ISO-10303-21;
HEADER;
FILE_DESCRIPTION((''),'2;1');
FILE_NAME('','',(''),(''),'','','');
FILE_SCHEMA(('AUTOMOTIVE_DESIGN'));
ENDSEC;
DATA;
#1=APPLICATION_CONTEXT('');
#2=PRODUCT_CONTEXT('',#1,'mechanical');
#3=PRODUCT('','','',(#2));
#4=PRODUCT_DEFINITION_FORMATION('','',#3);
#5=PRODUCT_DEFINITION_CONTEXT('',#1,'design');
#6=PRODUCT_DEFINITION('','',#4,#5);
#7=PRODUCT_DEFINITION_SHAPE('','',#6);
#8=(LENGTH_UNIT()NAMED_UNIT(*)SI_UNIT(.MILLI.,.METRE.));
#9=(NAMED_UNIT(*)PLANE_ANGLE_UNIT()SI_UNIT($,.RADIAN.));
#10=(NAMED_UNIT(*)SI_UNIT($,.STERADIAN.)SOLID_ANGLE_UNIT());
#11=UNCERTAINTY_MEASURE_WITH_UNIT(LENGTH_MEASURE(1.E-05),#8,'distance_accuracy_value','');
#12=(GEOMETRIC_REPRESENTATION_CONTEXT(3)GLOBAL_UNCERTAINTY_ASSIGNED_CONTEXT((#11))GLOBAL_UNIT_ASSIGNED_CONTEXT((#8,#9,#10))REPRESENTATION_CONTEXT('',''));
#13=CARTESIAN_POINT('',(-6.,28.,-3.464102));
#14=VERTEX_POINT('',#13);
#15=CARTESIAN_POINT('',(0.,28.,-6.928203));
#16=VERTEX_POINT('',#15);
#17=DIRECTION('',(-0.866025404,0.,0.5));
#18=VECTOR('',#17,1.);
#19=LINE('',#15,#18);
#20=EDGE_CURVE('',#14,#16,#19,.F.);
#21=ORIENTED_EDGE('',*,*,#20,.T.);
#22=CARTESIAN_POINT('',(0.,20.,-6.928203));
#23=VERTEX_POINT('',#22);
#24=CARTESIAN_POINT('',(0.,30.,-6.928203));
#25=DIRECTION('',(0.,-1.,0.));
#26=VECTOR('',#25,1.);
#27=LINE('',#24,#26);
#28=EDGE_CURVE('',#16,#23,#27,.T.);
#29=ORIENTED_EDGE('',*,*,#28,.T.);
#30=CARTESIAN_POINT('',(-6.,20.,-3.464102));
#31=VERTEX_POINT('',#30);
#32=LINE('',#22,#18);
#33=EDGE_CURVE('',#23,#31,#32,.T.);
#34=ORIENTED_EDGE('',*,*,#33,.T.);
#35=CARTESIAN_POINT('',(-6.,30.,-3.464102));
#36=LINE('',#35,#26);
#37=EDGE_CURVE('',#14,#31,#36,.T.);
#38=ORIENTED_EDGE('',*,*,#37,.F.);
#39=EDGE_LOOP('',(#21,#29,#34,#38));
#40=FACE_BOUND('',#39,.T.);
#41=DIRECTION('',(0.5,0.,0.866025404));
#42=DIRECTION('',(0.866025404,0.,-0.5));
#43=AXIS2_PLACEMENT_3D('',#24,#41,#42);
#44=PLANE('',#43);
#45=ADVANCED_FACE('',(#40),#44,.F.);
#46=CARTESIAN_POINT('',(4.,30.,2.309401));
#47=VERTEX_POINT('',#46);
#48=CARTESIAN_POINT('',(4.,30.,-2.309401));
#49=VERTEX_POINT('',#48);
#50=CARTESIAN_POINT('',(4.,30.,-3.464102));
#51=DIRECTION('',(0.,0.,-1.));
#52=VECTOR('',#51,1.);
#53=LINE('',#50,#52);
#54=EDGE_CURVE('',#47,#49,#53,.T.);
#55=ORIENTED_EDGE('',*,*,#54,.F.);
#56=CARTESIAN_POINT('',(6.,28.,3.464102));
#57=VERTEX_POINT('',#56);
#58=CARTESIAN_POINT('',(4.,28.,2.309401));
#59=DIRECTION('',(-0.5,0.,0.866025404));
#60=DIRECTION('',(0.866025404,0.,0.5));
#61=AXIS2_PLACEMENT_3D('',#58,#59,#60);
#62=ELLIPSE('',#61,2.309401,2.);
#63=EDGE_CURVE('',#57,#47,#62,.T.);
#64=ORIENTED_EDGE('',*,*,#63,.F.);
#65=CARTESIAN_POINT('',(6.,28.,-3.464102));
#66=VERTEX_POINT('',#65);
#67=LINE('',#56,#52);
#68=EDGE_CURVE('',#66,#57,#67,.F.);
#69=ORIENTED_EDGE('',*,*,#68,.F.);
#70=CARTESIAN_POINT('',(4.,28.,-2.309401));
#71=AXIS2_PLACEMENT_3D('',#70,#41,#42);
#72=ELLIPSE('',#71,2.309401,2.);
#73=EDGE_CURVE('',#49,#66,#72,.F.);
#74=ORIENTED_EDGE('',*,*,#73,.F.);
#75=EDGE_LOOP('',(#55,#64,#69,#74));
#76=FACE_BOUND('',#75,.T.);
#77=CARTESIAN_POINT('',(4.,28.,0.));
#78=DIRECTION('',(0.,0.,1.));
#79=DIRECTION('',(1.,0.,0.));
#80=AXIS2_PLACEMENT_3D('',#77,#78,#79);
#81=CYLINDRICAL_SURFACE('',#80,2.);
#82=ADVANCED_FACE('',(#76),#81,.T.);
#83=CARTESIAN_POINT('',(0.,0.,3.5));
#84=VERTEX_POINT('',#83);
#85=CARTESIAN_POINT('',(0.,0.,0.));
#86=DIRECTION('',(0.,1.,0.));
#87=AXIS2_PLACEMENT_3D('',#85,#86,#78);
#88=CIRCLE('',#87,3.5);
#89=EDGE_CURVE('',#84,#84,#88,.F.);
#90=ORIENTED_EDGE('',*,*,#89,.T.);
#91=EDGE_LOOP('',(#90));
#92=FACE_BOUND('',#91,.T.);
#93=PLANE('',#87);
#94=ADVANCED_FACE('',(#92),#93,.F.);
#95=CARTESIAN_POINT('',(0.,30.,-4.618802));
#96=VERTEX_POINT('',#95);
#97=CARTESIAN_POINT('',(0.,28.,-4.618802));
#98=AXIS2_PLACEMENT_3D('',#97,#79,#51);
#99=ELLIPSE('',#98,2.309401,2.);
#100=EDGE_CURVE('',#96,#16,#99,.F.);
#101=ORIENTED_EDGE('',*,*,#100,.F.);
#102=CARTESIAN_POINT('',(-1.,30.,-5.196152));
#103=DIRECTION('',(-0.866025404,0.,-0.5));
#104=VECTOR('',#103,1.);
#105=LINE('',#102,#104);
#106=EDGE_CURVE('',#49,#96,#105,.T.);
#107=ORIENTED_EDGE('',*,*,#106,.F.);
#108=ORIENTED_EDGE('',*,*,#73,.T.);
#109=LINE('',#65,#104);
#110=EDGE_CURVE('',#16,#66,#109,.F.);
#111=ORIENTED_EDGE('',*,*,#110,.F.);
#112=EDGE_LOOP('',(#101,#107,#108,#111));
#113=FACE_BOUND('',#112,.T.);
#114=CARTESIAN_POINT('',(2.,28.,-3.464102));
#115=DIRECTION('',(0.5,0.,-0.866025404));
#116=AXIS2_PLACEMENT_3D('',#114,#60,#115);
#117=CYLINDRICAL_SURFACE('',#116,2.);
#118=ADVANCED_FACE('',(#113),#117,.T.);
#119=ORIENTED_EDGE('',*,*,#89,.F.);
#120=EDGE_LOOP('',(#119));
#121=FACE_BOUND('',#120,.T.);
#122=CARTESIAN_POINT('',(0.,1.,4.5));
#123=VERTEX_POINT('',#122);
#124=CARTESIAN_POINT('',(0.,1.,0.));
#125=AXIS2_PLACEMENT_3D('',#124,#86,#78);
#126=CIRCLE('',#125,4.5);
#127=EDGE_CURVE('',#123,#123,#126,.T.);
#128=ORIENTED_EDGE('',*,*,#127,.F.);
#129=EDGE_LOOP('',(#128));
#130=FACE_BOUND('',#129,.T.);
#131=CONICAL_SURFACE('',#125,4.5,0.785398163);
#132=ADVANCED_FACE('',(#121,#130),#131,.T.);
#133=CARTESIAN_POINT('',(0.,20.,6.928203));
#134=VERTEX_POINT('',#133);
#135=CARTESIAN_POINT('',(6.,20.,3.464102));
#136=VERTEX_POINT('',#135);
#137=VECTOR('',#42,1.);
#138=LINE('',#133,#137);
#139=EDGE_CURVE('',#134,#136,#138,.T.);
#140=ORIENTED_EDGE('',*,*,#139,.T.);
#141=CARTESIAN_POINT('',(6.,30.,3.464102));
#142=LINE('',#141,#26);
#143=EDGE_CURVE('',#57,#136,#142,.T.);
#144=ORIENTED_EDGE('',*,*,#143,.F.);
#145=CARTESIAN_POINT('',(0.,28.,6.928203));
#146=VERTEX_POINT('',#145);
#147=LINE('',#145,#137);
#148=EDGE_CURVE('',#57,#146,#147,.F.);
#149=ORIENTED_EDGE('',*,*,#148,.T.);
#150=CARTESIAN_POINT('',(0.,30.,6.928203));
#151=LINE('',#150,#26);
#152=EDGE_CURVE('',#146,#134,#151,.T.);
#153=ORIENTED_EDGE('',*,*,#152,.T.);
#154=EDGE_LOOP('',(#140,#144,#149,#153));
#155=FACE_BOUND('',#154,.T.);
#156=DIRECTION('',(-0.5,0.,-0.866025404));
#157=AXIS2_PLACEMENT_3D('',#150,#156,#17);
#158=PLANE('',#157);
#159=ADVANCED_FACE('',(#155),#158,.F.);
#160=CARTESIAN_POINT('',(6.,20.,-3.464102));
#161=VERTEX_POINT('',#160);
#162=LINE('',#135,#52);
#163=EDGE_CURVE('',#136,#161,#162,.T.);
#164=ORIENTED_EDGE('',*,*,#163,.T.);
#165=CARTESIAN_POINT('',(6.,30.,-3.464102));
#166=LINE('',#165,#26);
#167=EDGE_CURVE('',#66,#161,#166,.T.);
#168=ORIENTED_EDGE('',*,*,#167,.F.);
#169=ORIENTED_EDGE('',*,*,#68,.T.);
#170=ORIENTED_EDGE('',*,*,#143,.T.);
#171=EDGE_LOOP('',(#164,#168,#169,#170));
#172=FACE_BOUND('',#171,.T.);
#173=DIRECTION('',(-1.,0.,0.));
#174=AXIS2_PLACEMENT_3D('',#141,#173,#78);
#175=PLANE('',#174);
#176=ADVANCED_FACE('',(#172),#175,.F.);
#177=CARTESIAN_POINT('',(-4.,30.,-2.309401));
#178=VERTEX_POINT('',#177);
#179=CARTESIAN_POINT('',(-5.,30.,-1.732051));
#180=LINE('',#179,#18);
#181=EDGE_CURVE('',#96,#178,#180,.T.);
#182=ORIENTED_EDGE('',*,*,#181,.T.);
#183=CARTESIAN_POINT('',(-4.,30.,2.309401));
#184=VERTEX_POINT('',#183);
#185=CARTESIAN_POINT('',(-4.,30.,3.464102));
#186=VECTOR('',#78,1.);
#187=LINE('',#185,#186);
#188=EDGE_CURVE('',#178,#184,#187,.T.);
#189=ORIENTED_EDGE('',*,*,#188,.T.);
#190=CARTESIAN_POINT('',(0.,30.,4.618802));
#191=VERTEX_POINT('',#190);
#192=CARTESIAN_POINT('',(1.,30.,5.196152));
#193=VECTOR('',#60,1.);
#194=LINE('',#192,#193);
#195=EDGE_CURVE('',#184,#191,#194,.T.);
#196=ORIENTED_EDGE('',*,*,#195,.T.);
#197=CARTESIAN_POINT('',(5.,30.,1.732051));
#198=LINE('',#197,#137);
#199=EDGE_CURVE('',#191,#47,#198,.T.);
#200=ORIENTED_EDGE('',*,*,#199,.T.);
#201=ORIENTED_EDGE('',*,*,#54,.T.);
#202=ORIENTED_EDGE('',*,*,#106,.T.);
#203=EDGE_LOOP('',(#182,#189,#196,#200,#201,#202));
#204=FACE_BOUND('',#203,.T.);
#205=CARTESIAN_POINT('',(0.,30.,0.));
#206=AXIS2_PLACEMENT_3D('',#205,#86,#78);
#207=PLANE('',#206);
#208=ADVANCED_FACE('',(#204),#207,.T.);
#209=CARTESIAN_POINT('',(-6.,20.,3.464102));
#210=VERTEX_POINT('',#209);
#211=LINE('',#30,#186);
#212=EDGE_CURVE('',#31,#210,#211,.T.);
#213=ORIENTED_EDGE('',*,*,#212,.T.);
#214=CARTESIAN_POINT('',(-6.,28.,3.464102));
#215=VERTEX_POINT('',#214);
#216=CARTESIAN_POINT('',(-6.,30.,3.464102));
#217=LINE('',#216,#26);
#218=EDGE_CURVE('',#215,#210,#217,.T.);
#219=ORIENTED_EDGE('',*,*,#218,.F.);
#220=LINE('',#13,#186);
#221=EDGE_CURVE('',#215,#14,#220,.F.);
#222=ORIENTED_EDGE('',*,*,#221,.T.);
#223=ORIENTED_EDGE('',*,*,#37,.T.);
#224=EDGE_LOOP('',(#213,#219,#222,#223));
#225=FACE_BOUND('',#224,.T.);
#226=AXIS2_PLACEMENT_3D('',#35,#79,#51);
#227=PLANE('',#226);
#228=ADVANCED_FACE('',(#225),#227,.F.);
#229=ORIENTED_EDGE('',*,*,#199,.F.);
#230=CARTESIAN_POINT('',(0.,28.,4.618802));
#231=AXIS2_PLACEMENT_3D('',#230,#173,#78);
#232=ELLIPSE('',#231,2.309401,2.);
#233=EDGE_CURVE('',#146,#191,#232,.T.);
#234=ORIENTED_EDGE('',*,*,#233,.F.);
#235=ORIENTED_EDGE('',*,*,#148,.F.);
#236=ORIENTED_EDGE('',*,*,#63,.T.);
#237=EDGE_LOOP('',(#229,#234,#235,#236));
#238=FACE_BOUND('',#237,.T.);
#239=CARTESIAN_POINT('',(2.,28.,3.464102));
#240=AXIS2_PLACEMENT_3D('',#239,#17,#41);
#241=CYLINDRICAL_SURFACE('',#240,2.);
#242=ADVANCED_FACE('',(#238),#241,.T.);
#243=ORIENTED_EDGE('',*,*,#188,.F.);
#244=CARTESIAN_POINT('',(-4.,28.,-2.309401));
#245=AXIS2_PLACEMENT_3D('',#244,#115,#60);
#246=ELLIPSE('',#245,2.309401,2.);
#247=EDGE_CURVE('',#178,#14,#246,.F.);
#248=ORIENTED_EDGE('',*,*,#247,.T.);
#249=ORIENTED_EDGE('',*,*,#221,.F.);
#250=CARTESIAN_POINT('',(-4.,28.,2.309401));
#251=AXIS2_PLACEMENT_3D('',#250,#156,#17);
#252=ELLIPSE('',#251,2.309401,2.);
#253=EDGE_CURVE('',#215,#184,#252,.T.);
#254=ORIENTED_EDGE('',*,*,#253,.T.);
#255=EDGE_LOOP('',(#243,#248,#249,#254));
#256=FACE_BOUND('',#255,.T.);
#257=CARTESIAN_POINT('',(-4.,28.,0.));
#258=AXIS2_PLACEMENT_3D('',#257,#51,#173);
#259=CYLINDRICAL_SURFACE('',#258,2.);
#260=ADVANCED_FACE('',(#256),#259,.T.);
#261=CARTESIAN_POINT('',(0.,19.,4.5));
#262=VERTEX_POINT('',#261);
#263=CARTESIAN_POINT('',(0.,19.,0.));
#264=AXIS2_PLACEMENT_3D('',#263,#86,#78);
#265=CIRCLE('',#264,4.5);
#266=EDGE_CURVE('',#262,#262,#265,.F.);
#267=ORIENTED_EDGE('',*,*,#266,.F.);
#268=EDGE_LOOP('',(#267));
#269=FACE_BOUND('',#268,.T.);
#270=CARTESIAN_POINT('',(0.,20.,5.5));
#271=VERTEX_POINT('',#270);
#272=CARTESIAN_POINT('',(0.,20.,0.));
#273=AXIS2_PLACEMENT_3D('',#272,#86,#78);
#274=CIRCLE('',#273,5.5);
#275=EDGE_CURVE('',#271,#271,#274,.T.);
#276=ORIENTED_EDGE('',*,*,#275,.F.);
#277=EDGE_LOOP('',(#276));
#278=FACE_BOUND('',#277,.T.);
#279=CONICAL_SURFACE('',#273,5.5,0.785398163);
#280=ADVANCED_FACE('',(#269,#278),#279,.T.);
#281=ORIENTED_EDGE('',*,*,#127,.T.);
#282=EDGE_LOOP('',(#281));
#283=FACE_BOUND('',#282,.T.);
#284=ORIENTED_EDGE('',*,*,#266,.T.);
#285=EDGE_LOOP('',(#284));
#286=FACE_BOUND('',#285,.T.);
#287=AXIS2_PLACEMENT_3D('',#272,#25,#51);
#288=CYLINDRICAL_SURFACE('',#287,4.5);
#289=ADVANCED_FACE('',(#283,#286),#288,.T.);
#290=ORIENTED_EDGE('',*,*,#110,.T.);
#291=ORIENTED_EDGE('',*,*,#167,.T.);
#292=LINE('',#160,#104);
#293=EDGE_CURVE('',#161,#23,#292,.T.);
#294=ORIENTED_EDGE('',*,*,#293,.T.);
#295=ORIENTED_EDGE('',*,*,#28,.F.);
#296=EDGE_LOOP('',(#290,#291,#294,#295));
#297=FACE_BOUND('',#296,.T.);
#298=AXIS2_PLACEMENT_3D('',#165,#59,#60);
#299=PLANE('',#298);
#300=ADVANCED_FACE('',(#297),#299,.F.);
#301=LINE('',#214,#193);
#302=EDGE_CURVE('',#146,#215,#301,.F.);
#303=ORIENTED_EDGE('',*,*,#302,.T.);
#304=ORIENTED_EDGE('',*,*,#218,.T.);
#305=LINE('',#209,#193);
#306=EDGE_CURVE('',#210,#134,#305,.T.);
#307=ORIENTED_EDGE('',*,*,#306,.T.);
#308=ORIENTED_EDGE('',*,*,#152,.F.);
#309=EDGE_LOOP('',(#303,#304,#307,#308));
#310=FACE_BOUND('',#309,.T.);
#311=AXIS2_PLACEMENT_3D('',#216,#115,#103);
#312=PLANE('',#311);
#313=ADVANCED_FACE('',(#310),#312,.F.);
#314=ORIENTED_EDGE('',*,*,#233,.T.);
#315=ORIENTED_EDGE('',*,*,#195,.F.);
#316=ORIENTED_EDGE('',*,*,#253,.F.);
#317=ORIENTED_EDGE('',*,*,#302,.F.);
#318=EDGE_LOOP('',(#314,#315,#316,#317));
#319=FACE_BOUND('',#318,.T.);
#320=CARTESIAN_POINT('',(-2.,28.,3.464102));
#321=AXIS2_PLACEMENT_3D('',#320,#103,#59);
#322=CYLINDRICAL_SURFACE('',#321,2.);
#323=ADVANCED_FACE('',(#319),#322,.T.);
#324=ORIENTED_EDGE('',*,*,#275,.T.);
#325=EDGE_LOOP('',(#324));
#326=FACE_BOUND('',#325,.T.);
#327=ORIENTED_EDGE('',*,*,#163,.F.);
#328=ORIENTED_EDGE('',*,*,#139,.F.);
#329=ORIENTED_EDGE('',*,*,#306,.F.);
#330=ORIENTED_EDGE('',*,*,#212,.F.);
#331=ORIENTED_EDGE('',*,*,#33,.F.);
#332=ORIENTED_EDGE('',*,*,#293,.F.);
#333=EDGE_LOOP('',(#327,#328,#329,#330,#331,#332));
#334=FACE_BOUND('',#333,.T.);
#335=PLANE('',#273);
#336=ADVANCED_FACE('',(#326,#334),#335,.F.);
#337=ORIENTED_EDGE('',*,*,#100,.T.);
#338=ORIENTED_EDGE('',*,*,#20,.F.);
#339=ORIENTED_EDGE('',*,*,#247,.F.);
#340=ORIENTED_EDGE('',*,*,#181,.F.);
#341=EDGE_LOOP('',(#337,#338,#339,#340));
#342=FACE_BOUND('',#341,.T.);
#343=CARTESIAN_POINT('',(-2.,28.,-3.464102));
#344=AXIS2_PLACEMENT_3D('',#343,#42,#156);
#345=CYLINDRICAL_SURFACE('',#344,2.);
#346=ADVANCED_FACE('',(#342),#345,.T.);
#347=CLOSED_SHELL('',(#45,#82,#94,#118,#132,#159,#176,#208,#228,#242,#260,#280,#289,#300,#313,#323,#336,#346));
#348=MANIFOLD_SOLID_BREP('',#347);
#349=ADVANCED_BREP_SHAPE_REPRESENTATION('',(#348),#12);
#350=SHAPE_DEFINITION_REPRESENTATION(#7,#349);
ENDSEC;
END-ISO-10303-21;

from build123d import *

# Parameters (mm, degrees)
SKETCH_1_R      = 4.5
EXTRUDE_1_DEPTH = 20
EXTRUDE_2_DEPTH = 10
CHAMFER_2_SIZE  = 1
FILLET_1_R      = 2


with BuildPart() as part:
    # 草圖1 → 填料-伸長1 (new body)
    with BuildSketch(Plane(origin=(0, 0, 0), x_dir=(1, 0, 0), z_dir=(0, 1, 0))):
        Circle(SKETCH_1_R)
    extrude(amount=EXTRUDE_1_DEPTH)

    # 草圖2 → 填料-伸長2 (add)
    with BuildSketch(Plane(origin=(0, 20, 0), x_dir=(1, 0, 0), z_dir=(0, 1, 0))):
        Polygon((6, 3.464101615), (0, 6.92820323), (-6, 3.464101615), (-6, -3.464101615), (0, -6.92820323), (6, -3.464101615), align=None)
    extrude(amount=EXTRUDE_2_DEPTH)

    # 導角2
    chamfer_2_edges = [part.edges().sort_by_distance(p)[0] for p in [
        (-4.5, 0, 0),
        (-4.5, 20, 0),
    ]]
    chamfer(chamfer_2_edges, length=CHAMFER_2_SIZE)

    # 圓角1
    fillet_1_edges = [part.edges().sort_by_distance(p)[0] for p in [
        (6, 30, 0),
        (3, 30, -5.196152423),
        (-3, 30, -5.196152423),
        (-6, 30, 0),
        (-3, 30, 5.196152423),
        (3, 30, 5.196152423),
    ]]
    fillet(fillet_1_edges, radius=FILLET_1_R)


solid = part.part
